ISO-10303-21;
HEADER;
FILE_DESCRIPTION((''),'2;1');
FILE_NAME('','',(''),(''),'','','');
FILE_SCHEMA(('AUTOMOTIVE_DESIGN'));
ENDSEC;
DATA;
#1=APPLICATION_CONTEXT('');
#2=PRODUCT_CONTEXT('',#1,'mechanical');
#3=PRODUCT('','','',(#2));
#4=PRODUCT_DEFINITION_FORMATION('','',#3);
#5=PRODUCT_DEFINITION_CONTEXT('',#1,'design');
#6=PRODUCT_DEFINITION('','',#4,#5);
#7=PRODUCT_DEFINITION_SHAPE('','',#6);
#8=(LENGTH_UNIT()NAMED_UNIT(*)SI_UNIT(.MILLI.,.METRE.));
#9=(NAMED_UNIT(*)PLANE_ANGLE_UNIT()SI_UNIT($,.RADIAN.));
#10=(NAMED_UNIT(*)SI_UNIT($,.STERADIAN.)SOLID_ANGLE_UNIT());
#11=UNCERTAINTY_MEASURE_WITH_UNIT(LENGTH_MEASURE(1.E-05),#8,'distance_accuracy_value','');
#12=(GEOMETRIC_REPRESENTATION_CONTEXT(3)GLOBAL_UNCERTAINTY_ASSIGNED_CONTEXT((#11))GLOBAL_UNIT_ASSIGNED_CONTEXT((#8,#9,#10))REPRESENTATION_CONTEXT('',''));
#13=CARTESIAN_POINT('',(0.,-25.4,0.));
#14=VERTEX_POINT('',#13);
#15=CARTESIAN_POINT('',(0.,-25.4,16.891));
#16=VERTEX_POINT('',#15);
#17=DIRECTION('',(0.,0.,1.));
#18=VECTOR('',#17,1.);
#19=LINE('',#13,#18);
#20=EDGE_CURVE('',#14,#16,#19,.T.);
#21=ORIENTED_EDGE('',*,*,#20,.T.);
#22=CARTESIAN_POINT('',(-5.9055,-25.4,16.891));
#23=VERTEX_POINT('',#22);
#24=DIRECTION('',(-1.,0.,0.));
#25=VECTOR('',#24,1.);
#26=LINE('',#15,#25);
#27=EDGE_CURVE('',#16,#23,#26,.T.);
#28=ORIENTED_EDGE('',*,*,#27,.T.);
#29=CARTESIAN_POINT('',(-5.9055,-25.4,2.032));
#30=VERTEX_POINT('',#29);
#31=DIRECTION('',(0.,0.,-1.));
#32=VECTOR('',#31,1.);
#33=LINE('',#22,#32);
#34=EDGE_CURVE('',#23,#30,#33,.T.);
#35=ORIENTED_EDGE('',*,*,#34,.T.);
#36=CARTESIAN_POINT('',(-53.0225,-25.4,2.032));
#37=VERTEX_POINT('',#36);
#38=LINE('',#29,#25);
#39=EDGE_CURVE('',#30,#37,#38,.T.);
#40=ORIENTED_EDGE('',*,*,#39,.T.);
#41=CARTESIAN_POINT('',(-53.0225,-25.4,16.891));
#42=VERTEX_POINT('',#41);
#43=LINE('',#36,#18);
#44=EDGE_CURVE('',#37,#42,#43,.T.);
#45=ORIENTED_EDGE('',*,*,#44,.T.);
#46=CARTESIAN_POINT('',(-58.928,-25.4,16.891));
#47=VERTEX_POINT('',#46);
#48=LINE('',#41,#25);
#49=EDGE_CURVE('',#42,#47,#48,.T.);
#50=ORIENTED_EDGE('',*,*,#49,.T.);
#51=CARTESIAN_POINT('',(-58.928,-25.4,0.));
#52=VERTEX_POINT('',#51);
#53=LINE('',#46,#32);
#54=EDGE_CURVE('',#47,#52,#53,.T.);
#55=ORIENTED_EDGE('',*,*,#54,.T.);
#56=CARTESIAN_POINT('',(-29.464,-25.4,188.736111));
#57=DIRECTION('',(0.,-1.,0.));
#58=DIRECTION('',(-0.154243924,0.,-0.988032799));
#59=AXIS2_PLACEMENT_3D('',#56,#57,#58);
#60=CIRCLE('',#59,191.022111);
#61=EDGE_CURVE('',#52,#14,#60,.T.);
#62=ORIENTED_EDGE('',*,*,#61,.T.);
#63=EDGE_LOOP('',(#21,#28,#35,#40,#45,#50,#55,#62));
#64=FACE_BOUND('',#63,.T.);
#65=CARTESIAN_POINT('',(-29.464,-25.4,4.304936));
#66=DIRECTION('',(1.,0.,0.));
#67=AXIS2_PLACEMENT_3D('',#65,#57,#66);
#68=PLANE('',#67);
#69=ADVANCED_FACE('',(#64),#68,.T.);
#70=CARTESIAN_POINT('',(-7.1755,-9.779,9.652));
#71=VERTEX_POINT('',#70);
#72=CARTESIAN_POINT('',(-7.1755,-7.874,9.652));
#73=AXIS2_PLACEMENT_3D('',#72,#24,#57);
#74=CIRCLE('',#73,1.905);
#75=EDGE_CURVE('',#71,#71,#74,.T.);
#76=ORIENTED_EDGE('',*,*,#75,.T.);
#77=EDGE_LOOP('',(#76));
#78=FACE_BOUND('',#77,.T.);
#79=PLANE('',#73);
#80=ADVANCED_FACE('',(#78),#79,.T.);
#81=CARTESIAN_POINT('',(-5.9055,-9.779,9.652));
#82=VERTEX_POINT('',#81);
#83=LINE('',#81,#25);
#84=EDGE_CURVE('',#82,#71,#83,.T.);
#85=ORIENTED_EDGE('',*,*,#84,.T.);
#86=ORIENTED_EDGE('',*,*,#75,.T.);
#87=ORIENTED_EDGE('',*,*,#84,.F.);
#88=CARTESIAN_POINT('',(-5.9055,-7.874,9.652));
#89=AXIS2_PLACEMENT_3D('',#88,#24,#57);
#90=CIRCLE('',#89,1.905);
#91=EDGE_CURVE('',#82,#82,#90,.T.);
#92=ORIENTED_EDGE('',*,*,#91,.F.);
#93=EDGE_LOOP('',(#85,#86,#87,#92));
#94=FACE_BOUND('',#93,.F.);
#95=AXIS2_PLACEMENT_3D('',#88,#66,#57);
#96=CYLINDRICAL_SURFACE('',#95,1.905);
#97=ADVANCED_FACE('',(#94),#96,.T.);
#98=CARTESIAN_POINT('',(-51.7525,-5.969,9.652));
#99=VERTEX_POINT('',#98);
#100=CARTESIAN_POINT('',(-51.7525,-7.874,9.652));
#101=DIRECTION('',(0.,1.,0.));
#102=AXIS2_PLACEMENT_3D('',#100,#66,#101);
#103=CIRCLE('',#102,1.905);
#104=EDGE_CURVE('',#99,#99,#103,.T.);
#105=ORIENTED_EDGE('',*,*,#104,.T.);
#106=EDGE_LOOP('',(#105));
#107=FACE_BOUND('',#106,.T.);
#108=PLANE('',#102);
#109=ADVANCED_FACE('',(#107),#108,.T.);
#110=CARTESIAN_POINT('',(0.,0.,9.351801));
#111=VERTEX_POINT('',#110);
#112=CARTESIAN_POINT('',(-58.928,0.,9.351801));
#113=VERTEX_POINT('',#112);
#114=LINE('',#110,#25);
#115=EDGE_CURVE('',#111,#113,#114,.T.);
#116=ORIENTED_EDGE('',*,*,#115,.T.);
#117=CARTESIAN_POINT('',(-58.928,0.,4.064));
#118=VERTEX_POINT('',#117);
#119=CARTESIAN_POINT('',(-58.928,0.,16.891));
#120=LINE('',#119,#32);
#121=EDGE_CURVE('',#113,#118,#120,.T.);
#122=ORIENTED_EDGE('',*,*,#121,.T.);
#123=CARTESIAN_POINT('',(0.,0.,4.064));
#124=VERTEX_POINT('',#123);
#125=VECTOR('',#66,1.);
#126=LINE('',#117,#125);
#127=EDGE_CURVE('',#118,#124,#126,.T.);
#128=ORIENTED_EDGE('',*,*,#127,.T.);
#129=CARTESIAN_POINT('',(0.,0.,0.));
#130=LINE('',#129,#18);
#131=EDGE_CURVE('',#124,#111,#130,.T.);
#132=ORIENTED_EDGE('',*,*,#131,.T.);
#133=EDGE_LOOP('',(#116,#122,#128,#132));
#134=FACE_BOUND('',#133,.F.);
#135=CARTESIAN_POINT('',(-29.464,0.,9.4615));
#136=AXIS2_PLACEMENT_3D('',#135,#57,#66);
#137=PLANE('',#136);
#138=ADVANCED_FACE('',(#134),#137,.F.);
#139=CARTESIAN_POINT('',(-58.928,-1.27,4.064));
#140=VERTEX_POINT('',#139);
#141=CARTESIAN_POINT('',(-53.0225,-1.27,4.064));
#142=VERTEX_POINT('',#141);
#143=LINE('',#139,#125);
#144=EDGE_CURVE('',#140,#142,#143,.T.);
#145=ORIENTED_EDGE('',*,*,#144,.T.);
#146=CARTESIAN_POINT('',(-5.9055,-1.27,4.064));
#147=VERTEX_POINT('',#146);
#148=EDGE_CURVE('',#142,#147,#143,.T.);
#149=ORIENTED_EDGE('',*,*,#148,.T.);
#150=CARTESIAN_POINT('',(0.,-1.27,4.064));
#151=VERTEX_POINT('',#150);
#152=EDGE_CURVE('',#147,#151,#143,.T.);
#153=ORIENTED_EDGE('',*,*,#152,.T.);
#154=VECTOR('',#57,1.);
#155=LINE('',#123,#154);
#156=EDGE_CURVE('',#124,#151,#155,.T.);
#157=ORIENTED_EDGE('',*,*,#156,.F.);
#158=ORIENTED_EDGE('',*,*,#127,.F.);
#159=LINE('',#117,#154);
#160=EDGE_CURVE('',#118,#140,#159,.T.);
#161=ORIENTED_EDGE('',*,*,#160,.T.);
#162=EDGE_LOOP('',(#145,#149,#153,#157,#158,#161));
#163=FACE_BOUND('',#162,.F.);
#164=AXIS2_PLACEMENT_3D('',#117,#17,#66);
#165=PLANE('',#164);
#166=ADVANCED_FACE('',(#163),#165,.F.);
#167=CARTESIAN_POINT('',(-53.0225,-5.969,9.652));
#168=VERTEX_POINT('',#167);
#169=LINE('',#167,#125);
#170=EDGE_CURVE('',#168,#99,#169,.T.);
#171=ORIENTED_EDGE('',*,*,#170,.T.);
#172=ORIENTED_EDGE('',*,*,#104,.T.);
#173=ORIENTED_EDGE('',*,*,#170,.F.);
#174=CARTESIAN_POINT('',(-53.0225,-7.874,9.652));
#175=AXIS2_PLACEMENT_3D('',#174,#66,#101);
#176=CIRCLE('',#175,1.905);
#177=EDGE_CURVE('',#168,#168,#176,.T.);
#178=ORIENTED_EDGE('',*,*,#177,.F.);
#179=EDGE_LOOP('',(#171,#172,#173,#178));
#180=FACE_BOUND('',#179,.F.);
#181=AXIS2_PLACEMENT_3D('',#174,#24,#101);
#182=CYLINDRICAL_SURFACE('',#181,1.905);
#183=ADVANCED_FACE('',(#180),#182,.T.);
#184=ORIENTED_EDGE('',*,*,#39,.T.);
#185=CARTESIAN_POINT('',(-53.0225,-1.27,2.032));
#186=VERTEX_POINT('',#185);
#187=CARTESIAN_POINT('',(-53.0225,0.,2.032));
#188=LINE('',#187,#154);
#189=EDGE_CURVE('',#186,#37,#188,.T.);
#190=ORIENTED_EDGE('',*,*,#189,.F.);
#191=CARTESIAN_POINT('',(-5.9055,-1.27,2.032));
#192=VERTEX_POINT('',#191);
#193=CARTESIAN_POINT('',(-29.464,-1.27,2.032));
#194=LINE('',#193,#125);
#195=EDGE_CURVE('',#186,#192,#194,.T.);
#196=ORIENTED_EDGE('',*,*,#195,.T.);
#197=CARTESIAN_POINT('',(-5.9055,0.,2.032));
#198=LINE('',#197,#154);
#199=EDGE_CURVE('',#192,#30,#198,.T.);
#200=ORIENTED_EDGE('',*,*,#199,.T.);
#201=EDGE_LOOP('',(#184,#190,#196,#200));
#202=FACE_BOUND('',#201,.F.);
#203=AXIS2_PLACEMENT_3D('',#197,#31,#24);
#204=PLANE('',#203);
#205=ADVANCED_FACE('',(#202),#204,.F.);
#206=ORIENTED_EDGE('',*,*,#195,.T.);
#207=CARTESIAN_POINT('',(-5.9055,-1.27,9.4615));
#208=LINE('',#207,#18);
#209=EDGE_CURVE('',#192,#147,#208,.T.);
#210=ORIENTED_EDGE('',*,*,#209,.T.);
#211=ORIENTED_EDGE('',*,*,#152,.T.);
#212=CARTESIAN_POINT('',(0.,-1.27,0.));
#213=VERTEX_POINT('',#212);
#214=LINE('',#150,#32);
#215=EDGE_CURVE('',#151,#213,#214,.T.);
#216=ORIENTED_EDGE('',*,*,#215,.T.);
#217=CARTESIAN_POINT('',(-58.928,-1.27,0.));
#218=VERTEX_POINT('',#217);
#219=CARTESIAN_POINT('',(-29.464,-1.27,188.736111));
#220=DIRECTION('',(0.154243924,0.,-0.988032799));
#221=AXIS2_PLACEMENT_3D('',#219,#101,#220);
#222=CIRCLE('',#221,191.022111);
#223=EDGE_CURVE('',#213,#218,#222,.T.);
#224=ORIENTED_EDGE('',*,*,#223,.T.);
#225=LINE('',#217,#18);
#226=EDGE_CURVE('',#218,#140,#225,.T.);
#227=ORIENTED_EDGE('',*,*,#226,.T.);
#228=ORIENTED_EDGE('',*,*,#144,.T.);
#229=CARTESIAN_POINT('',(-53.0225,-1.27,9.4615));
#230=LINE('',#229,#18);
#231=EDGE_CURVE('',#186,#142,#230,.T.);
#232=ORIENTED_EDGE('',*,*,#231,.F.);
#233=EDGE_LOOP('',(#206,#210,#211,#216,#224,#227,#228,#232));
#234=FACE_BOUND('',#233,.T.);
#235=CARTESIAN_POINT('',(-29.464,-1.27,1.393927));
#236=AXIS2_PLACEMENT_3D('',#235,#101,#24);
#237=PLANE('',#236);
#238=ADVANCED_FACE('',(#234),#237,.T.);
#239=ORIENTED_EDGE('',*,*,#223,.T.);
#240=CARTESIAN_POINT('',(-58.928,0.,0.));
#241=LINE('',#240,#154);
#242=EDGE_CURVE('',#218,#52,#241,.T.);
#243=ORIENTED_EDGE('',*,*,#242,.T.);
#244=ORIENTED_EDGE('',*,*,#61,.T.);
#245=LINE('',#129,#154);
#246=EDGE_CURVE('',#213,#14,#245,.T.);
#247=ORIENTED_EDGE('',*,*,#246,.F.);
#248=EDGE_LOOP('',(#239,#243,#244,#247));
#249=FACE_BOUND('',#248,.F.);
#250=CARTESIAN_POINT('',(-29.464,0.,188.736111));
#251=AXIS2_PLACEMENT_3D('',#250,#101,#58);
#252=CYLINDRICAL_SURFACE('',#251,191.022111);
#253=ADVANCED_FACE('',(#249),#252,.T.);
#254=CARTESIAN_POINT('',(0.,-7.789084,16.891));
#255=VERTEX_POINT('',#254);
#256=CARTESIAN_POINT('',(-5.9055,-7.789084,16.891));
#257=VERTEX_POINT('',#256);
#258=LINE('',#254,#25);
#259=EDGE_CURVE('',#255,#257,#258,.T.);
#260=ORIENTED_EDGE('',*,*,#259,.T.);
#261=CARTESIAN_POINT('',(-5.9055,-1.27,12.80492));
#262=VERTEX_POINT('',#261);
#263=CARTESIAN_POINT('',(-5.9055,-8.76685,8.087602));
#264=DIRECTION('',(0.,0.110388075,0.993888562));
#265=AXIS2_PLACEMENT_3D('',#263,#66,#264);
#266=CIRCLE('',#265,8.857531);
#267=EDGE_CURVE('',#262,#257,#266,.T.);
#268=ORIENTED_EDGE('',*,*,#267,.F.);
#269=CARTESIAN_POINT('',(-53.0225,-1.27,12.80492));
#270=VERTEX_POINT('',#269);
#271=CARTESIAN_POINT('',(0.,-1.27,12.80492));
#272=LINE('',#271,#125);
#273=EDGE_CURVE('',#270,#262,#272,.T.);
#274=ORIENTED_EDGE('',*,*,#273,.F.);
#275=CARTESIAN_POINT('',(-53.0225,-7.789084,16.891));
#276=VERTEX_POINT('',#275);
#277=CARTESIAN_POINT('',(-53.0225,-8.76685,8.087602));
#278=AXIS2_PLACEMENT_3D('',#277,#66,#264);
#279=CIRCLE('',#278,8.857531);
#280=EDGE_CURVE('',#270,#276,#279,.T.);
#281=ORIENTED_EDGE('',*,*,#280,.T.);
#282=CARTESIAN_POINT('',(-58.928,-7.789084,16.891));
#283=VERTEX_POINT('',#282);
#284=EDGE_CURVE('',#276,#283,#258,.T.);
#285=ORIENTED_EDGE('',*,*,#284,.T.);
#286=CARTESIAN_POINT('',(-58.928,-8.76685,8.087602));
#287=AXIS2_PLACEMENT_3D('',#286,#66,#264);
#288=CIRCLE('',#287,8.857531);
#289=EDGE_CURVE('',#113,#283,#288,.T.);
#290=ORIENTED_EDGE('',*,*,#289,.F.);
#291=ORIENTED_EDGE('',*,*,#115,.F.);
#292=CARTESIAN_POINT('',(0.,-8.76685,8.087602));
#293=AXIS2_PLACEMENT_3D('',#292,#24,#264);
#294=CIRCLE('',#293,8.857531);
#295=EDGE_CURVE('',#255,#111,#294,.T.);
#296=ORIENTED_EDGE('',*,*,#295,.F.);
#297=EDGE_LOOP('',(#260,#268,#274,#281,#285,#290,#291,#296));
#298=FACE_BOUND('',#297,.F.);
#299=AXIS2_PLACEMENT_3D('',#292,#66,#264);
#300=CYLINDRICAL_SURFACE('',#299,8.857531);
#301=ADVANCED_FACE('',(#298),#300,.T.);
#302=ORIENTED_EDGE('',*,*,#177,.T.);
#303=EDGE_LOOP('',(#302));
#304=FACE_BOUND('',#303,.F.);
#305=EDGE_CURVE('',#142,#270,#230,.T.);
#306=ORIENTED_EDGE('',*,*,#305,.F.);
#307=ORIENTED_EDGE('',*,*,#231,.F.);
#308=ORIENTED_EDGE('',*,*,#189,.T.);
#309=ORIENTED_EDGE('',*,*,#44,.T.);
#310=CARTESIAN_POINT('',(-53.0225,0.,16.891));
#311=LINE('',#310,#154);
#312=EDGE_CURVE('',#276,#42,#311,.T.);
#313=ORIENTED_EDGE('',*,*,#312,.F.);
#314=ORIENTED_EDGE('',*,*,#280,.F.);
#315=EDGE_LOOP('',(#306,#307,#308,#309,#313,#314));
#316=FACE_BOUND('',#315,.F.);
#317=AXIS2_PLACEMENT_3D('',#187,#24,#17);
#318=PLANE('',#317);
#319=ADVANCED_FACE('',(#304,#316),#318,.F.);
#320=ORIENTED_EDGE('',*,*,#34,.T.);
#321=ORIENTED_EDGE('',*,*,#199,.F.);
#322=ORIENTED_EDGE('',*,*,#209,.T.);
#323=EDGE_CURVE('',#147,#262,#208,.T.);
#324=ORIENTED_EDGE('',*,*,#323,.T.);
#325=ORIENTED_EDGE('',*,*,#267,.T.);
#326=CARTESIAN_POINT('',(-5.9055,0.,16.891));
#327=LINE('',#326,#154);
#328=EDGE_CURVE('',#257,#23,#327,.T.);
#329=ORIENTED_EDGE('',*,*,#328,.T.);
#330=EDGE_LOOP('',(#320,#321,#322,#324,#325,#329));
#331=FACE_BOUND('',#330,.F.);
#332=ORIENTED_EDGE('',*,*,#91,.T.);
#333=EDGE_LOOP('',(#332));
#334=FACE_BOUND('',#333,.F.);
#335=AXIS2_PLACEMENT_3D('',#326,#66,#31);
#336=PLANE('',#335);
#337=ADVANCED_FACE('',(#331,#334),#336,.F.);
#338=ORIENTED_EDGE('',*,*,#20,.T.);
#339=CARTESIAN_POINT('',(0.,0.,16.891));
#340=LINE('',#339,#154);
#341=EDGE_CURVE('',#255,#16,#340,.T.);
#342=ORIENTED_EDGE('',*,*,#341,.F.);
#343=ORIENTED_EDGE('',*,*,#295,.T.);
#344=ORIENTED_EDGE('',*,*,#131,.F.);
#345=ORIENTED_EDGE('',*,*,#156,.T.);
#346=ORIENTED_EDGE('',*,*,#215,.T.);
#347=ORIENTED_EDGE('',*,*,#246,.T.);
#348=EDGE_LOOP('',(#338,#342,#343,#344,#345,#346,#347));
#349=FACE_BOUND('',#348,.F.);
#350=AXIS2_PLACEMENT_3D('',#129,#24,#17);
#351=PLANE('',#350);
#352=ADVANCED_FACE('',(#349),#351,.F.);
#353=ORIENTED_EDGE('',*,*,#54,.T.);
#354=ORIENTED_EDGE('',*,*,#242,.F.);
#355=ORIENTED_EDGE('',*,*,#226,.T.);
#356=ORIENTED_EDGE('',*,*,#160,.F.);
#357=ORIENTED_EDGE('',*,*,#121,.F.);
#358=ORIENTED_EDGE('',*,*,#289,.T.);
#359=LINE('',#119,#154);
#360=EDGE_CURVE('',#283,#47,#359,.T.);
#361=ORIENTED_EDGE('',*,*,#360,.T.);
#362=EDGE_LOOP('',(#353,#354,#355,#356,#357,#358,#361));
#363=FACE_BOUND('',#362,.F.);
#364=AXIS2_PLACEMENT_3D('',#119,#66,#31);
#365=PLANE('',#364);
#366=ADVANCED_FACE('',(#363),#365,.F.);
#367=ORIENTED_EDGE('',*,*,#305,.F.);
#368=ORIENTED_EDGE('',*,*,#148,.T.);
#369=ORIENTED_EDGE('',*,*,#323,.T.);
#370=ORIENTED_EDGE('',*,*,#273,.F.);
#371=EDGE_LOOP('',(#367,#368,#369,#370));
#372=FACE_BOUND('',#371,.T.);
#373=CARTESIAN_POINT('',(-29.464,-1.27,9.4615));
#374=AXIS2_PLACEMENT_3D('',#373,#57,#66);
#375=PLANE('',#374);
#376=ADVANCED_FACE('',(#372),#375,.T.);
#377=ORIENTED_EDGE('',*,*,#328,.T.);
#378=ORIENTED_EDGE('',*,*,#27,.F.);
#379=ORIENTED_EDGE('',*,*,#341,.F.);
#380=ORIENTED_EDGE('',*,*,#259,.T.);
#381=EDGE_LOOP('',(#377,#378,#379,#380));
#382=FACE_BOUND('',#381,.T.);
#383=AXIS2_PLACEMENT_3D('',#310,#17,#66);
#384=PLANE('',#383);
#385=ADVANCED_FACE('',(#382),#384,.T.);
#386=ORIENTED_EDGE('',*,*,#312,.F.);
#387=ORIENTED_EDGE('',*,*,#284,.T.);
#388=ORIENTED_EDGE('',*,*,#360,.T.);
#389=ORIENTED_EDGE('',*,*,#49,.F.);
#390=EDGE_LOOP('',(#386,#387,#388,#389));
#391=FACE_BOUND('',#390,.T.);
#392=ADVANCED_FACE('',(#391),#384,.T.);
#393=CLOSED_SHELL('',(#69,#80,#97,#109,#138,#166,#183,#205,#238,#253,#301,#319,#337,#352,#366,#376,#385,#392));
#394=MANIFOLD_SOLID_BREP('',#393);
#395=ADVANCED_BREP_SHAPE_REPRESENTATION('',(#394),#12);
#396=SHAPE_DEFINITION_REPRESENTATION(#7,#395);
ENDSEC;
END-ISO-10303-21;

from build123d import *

# Parameters (mm, degrees)
F1_DEPTH  = 25.4
F0_W      = 47.117
F0_H      = 14.859
F2_DEPTH  = 1.27
F4_DEPTH  = 1.27
F5_R      = 1.905
F6_DEPTH  = 1.27
F7_R      = 1.905
F8_DEPTH  = 1.27
F10_DEPTH = 63.5


with BuildPart() as f1:
    # F0 (on Front) → F1 (new body)
    with BuildSketch(Plane.XZ):
        with BuildLine():
            ThreePointArc((-58.928, 0), (-29.464, -2.286), (0, 0))
            Line((0, 0), (0, 16.891))
            Line((0, 16.891), (-5.9055, 16.891))
            Line((-5.9055, 16.891), (-5.9055, 2.032))
            Line((-5.9055, 2.032), (-53.0225, 2.032))
            Line((-53.0225, 2.032), (-53.0225, 16.891))
            Line((-53.0225, 16.891), (-58.928, 16.891))
            Line((-58.928, 16.891), (-58.928, 0))
        make_face()
    extrude(amount=F1_DEPTH)

    # F0 (on Front) → F2 (join)
    with BuildSketch(Plane.XZ):
        with Locations((-29.464, 9.4615)):
            Rectangle(F0_W, F0_H)
    extrude(amount=F2_DEPTH)

    # F3 (on face) → F4 (cut)
    with BuildSketch(Plane(origin=(0, 0, 0), x_dir=(-1, 0, 0), z_dir=(0, 1, 0))):
        with BuildLine():
            Line((58.928, 4.064), (0, 4.064))
            Line((0, 4.064), (0, 0))
            ThreePointArc((0, 0), (29.464, -2.286), (58.928, 0))
            Line((58.928, 0), (58.928, 4.064))
        make_face()
    extrude(amount=-F4_DEPTH, mode=Mode.SUBTRACT)

    # F5 (on face) → F6 (join)
    with BuildSketch(Plane(origin=(-5.9055, 0, 0), x_dir=(0, -1, 0), z_dir=(-1, 0, 0))):
        with Locations((7.874, 9.652)):
            Circle(F5_R)
    extrude(amount=F6_DEPTH)

    # F7 (on face) → F8 (join)
    with BuildSketch(Plane.YZ.offset(-53.0225)):
        with Locations((-7.874, 9.652)):
            Circle(F7_R)
    extrude(amount=F8_DEPTH)

    # F9 (on face) → F10 (cut)
    with BuildSketch(Plane.YZ):
        with BuildLine():
            ThreePointArc((-7.7890837565, 16.891), (-2.606552262, 14.45208016), (0, 9.3518009536))
            Line((0, 9.3518009536), (0, 16.891))
            Line((0, 16.891), (-7.7890837565, 16.891))
        make_face()
    extrude(amount=-F10_DEPTH, mode=Mode.SUBTRACT)


solid = f1.part
